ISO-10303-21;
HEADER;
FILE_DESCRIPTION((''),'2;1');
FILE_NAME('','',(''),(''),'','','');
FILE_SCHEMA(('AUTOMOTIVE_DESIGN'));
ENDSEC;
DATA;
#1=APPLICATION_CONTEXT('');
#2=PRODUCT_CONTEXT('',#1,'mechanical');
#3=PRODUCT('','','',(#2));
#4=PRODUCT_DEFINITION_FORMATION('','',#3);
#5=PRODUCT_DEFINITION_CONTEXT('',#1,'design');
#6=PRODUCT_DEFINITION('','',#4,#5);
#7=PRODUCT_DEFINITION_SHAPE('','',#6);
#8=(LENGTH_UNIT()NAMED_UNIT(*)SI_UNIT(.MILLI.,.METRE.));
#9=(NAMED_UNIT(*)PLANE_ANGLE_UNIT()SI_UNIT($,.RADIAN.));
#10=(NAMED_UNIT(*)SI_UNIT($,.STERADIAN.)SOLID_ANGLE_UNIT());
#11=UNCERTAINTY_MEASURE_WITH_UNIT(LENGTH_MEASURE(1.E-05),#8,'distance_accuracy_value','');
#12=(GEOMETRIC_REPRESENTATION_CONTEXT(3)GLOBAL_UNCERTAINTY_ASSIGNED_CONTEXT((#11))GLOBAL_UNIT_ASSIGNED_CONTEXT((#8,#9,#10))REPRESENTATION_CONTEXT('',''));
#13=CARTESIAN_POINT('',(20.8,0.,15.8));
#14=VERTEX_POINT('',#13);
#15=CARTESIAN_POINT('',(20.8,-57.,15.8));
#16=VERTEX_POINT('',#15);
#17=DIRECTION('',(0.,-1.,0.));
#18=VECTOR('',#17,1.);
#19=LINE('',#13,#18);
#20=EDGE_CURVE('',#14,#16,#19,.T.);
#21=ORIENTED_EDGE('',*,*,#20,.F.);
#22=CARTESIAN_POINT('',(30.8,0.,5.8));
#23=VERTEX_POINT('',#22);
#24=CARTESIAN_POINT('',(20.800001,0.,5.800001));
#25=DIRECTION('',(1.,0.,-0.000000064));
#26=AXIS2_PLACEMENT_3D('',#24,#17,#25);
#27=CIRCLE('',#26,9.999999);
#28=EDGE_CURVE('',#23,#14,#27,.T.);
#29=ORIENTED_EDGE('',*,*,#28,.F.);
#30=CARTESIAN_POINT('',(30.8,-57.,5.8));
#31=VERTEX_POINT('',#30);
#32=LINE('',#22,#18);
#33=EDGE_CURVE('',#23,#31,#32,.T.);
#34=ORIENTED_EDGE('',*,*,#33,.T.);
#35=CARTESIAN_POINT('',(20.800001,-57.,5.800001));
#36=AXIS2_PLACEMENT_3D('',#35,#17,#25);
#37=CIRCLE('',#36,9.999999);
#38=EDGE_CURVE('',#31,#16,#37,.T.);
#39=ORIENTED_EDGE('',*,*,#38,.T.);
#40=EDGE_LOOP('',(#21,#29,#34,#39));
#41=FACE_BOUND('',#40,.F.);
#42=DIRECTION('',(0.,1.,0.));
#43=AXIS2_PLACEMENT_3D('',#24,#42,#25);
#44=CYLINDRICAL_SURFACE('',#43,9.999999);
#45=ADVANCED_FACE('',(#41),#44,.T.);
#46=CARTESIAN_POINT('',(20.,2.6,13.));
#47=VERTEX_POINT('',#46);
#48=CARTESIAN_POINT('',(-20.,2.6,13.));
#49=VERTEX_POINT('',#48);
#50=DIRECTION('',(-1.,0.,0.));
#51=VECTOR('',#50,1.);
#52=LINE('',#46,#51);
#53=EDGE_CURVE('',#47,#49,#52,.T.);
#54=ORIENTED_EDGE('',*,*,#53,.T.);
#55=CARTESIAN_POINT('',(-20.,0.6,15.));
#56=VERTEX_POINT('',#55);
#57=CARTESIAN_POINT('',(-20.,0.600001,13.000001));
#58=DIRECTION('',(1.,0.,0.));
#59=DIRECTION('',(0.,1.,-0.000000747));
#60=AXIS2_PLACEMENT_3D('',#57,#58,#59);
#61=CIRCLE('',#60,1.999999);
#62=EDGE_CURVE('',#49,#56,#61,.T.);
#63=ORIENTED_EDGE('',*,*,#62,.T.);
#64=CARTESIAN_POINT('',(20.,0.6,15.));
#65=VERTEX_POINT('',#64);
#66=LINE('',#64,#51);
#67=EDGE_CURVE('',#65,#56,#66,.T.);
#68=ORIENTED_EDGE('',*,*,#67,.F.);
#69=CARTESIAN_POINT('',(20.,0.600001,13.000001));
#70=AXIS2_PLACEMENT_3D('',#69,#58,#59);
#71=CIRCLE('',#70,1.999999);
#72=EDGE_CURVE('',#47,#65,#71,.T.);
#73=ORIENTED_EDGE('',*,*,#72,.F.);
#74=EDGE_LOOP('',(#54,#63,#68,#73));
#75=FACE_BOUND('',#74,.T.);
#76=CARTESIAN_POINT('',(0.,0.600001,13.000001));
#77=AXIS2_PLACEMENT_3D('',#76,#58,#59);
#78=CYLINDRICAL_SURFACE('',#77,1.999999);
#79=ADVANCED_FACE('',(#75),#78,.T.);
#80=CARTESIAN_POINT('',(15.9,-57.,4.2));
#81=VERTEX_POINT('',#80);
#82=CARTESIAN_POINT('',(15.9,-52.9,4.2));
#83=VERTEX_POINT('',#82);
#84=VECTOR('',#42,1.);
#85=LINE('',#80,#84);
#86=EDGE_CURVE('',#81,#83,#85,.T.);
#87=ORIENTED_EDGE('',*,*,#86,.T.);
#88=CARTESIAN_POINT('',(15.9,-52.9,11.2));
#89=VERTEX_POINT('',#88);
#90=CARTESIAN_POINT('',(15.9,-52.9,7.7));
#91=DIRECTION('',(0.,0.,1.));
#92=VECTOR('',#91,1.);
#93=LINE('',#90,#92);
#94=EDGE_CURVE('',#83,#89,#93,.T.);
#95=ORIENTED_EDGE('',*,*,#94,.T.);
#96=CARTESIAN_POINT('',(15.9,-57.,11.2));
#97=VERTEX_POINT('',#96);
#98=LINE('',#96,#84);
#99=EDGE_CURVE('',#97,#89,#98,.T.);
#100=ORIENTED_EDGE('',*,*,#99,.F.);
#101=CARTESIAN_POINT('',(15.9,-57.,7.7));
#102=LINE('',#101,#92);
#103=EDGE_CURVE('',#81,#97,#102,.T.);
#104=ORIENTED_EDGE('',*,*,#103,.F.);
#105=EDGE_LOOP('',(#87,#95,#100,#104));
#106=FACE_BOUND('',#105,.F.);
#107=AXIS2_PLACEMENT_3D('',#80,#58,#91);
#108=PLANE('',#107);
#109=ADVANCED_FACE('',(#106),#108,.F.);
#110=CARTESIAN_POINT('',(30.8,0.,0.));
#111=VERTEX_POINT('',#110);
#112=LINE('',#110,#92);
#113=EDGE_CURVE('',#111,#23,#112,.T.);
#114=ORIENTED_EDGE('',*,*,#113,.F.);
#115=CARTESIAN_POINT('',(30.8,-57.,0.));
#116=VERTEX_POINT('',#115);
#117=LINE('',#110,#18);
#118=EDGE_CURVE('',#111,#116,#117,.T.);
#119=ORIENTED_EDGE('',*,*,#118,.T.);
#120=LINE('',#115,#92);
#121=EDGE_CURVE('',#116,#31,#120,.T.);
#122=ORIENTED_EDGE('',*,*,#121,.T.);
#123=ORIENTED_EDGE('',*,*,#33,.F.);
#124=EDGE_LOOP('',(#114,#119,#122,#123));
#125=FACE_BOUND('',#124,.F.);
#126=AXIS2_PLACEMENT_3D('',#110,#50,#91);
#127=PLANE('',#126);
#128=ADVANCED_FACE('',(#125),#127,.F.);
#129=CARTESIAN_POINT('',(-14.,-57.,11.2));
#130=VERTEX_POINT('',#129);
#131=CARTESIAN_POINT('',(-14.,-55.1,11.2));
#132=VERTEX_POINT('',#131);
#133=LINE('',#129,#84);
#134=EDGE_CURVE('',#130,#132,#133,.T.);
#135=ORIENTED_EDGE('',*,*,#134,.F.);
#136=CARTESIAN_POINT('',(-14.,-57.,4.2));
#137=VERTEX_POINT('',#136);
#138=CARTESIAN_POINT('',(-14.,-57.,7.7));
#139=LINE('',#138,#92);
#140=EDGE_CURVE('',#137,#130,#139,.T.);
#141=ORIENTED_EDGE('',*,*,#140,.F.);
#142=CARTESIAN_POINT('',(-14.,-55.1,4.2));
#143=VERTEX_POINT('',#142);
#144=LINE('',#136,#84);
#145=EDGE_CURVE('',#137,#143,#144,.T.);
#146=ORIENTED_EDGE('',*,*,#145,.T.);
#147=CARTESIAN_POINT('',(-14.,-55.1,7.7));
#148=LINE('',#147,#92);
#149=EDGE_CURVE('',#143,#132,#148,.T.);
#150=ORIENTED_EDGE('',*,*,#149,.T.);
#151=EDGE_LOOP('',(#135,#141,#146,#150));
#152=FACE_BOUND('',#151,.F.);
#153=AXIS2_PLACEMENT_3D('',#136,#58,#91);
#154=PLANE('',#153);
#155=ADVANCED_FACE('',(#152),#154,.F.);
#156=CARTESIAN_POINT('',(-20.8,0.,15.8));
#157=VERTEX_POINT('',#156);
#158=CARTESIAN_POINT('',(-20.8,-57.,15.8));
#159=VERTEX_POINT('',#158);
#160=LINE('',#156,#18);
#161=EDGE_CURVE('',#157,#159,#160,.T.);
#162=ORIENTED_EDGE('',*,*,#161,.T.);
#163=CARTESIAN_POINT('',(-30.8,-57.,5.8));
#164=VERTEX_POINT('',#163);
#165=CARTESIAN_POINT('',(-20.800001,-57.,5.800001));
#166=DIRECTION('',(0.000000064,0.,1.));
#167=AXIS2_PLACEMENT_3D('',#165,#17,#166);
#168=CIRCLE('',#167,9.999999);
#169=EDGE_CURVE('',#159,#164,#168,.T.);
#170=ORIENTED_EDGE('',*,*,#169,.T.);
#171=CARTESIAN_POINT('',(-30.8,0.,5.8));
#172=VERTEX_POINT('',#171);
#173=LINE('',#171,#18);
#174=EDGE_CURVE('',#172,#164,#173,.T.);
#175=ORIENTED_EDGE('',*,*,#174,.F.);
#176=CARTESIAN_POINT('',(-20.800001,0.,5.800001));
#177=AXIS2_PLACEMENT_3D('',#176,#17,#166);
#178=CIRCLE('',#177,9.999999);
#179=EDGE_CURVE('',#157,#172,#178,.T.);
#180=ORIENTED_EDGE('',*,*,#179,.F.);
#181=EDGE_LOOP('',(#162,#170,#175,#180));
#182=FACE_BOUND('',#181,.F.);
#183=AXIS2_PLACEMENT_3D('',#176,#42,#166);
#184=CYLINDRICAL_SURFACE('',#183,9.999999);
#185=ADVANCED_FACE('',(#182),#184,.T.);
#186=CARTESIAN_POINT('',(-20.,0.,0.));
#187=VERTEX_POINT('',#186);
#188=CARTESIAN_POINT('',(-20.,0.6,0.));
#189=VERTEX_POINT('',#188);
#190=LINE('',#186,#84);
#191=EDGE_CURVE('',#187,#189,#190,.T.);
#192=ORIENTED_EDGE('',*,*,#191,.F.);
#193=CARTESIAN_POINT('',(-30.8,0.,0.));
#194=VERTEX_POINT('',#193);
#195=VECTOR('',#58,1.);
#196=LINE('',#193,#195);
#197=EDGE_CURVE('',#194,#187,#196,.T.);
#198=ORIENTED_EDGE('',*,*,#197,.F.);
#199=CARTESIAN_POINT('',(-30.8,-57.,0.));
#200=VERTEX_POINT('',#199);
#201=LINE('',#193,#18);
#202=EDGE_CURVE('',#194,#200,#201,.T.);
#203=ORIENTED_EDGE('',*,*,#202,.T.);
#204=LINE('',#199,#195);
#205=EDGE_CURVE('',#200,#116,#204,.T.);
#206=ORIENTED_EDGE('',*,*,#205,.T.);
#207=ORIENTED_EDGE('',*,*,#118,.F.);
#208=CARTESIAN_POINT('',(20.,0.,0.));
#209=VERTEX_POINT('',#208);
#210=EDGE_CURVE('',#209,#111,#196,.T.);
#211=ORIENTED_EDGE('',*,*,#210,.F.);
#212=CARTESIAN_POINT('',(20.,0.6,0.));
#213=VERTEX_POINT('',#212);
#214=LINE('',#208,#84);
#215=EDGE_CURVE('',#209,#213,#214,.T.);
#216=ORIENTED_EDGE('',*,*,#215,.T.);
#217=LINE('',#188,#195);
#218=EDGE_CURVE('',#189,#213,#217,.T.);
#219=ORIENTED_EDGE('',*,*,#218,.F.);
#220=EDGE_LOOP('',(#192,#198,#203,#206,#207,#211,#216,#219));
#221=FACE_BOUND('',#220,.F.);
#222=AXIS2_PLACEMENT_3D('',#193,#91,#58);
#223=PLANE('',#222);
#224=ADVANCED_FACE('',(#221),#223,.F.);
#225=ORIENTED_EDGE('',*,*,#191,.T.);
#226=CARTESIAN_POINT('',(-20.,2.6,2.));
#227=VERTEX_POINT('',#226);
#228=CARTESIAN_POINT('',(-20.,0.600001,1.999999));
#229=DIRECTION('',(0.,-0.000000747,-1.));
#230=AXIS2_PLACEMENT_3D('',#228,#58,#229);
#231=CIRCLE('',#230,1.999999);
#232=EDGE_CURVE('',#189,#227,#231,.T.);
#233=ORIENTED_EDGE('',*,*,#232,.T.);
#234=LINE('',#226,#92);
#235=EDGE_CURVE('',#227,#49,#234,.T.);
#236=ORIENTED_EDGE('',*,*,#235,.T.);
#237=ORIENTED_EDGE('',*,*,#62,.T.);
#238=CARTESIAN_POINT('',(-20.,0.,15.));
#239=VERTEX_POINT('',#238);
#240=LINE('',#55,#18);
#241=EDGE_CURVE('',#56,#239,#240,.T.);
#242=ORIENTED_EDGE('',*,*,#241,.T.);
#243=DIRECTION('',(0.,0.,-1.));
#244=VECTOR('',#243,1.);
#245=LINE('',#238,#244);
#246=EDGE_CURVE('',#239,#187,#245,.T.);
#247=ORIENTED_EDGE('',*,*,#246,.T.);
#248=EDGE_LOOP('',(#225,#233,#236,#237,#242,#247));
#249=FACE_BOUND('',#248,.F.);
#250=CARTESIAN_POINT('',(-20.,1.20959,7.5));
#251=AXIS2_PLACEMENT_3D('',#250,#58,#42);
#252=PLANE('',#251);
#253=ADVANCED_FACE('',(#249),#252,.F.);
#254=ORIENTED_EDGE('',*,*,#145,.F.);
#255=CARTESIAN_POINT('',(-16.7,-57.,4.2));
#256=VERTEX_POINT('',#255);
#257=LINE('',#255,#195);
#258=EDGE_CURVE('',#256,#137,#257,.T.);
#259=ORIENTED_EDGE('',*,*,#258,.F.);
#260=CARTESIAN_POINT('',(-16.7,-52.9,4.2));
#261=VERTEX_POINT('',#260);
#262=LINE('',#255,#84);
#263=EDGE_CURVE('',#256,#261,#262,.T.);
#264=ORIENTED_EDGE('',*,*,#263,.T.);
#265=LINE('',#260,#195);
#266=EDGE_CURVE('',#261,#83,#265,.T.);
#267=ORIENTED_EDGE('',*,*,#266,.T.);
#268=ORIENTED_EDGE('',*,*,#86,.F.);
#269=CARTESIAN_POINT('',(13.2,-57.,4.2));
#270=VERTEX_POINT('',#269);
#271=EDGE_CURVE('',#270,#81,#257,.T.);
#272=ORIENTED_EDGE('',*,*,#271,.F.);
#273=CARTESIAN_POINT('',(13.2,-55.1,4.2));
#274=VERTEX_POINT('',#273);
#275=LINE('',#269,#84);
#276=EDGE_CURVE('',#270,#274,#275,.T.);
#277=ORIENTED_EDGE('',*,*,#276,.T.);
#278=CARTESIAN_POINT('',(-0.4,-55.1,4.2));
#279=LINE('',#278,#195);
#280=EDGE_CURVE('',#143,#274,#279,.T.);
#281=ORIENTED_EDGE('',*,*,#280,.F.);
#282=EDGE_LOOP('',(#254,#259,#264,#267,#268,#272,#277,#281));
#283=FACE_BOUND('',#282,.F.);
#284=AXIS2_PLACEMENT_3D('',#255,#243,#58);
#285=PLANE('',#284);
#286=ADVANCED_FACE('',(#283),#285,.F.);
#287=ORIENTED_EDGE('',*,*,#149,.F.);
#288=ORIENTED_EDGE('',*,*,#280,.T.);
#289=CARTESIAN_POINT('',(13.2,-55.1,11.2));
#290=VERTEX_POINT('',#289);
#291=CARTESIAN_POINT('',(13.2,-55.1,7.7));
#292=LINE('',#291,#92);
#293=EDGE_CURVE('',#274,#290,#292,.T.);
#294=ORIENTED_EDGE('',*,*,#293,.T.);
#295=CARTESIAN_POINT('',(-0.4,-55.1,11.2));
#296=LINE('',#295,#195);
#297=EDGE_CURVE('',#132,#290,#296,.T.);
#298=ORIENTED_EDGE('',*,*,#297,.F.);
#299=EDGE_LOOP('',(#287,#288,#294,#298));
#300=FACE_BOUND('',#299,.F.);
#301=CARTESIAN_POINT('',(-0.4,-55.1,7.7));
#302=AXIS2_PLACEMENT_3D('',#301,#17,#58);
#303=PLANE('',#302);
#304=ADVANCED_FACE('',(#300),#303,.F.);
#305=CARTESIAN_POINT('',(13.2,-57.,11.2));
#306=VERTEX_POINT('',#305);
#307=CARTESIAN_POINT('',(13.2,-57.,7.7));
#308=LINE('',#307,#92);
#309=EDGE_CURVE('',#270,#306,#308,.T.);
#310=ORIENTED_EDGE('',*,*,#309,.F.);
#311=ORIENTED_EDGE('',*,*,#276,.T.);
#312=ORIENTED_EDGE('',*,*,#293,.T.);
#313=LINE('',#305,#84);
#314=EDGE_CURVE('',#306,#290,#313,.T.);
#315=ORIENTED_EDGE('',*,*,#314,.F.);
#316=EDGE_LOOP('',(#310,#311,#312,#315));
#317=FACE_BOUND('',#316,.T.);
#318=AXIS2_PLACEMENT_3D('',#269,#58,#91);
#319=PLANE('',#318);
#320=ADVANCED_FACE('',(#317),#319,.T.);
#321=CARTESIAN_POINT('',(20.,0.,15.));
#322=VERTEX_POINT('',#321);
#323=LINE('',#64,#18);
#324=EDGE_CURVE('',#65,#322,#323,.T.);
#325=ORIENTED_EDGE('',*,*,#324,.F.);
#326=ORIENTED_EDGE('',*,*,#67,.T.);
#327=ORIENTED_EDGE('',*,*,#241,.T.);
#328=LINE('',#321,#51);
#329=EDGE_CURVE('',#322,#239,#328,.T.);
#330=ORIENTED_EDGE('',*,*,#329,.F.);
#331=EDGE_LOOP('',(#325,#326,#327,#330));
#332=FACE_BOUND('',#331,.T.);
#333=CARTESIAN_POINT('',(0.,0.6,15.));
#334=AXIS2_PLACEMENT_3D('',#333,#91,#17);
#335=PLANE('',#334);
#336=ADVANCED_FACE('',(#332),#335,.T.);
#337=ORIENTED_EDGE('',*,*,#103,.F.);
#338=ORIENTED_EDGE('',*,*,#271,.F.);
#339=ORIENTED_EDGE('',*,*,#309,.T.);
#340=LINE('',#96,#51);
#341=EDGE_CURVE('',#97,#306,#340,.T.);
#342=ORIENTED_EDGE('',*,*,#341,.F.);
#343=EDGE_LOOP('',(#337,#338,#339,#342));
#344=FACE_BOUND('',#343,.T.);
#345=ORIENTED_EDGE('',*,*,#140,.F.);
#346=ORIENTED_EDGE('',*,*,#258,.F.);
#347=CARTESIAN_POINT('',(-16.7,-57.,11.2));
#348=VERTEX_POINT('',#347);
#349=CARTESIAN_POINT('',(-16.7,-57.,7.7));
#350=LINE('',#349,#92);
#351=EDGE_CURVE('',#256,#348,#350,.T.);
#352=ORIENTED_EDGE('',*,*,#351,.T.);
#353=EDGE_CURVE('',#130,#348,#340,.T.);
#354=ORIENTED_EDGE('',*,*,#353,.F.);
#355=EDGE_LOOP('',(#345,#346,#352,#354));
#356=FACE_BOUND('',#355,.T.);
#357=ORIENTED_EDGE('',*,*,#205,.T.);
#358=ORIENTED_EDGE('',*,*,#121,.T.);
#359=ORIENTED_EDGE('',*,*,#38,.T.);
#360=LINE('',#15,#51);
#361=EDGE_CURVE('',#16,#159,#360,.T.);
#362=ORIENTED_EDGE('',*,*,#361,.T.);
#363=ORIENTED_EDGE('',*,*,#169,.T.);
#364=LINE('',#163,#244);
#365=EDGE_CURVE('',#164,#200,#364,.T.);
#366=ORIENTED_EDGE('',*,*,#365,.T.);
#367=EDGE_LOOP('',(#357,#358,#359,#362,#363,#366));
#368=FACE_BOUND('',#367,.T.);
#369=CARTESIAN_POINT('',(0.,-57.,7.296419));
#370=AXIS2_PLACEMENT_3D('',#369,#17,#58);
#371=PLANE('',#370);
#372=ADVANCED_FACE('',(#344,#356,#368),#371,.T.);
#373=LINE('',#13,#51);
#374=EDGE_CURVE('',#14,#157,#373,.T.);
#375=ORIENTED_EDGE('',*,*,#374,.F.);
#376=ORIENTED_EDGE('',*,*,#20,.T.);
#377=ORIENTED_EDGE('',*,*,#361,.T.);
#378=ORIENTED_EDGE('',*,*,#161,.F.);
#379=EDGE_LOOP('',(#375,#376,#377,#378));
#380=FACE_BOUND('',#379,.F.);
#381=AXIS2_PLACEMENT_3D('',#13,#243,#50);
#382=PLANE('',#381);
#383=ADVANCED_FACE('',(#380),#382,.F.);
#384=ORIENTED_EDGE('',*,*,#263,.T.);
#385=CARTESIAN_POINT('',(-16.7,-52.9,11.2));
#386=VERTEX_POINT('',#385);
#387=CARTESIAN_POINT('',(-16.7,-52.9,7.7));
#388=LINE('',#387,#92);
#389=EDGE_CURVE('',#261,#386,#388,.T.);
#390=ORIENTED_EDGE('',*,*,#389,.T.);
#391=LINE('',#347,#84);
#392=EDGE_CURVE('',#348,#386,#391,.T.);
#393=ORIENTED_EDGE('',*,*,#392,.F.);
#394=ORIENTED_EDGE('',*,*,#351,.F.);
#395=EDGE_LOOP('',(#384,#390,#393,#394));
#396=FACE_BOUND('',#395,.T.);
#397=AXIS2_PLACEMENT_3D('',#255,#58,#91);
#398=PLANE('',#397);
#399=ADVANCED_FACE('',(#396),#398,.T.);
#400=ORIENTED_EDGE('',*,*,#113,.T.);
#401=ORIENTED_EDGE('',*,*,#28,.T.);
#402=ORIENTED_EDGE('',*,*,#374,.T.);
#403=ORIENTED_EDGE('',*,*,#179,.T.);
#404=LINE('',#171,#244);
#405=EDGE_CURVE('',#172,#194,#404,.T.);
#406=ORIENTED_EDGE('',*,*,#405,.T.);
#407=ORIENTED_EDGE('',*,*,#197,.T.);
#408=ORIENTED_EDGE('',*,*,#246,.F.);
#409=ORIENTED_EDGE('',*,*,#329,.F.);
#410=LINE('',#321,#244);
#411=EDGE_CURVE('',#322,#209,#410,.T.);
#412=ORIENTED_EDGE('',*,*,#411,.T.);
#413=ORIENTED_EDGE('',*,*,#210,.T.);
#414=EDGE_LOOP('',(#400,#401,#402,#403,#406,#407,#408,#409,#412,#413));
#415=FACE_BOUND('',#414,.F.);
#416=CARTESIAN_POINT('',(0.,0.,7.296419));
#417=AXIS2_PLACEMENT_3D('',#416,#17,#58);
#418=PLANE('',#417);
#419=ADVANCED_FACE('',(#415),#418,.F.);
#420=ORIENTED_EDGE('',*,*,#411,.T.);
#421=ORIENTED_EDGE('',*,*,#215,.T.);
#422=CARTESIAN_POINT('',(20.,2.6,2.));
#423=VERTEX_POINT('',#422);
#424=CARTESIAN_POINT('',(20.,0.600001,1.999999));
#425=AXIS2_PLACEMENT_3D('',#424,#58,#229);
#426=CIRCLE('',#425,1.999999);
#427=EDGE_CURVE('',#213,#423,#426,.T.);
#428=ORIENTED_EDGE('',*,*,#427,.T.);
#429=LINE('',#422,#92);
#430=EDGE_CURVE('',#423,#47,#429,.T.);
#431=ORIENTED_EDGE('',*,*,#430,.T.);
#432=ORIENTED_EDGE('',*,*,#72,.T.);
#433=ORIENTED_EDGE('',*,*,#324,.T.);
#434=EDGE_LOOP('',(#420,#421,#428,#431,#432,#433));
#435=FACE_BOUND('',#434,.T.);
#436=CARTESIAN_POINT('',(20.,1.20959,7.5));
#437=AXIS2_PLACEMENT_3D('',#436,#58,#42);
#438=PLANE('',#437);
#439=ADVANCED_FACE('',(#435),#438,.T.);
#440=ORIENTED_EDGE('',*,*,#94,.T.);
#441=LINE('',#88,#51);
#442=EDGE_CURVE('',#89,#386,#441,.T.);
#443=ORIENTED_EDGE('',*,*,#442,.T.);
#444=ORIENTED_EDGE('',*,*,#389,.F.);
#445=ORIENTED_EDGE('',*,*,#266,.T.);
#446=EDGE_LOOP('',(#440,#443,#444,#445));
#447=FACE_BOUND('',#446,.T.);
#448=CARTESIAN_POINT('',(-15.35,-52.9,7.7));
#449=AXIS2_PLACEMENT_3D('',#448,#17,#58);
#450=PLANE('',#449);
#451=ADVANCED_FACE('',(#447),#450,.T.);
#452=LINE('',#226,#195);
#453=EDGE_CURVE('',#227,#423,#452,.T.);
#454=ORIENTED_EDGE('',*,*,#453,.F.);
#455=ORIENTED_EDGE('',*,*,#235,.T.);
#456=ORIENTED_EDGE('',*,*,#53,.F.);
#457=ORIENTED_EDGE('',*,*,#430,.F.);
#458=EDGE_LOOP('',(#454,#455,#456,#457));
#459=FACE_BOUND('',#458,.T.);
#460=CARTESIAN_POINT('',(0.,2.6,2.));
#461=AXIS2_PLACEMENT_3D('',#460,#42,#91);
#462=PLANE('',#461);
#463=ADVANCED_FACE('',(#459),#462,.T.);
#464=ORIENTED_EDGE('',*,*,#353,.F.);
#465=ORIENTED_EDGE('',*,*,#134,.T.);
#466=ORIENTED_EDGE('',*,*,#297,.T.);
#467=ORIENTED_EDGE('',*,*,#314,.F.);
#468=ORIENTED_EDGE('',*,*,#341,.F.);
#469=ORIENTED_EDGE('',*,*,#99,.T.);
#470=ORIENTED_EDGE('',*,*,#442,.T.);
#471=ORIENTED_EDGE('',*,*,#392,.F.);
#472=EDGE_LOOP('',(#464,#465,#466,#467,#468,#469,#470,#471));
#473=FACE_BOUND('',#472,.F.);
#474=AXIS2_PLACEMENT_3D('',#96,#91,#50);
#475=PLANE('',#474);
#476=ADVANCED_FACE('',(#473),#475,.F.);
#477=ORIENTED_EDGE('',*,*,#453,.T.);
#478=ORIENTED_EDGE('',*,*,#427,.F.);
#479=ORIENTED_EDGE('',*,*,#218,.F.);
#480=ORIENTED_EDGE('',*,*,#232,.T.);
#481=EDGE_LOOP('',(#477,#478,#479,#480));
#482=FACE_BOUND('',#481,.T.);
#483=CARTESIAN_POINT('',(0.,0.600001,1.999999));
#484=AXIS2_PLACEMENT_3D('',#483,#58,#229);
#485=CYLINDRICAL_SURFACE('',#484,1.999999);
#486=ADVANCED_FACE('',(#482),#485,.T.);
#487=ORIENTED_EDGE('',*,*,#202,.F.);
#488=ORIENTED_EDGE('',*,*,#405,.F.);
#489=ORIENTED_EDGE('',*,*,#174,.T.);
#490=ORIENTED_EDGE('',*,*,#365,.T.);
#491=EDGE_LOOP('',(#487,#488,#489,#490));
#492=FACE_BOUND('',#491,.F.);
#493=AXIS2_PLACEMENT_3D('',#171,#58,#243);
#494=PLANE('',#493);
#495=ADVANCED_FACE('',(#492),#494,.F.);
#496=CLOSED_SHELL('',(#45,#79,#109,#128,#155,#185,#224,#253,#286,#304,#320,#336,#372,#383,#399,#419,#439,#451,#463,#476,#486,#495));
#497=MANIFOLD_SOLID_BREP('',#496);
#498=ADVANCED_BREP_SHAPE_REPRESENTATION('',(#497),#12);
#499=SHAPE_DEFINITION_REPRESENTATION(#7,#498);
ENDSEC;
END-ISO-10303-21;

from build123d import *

# Parameters (mm, degrees)
F1_DEPTH = 57
F3_DEPTH = 20
F4_W     = 2.7
F4_H     = 7
F4_W_2   = 27.2
F5_DEPTH = 4.1
F6_DEPTH = 1.9


with BuildPart() as f1:
    # F0 (on Front) → F1 (new body)
    with BuildSketch(Plane.XZ):
        with BuildLine():
            Line((20.8, 15.8), (-20.8, 15.8))
            ThreePointArc((-20.8, 15.8), (-27.871068, 12.871068), (-30.8, 5.8))
            Line((-30.8, 5.8), (-30.8, 0))
            Line((-30.8, 0), (30.8, 0))
            Line((30.8, 0), (30.8, 5.8))
            ThreePointArc((30.8, 5.8), (27.871068, 12.871068), (20.8, 15.8))
        make_face()
    extrude(amount=F1_DEPTH)

    # F2 (on Right) → F3 (join, symmetric)
    with BuildSketch(Plane.YZ):
        with BuildLine():
            Line((0, 15), (0, 0))
            Line((0, 0), (0.6, 0))
            ThreePointArc((0.6, 0), (2.014214, 0.585786), (2.6, 2))
            Line((2.6, 2), (2.6, 13))
            ThreePointArc((2.6, 13), (2.014214, 14.414214), (0.6, 15))
            Line((0.6, 15), (0, 15))
        make_face()
    extrude(amount=F3_DEPTH, both=True)

    # F4 (on face) → F5 (cut)
    with BuildSketch(Plane.XZ.offset(57)):
        with Locations((-15.35, 7.7)):
            Rectangle(F4_W, F4_H)
        with Locations((-0.4, 7.7)):
            Rectangle(F4_W_2, F4_H)
        with Locations((14.55, 7.7)):
            Rectangle(F4_W, F4_H)
    extrude(amount=-F5_DEPTH, mode=Mode.SUBTRACT)

    # F4 (on face) → F6 (join)
    with BuildSketch(Plane.XZ.offset(57)):
        with Locations((-0.4, 7.7)):
            Rectangle(F4_W_2, F4_H)
    extrude(amount=-F6_DEPTH)


solid = f1.part
